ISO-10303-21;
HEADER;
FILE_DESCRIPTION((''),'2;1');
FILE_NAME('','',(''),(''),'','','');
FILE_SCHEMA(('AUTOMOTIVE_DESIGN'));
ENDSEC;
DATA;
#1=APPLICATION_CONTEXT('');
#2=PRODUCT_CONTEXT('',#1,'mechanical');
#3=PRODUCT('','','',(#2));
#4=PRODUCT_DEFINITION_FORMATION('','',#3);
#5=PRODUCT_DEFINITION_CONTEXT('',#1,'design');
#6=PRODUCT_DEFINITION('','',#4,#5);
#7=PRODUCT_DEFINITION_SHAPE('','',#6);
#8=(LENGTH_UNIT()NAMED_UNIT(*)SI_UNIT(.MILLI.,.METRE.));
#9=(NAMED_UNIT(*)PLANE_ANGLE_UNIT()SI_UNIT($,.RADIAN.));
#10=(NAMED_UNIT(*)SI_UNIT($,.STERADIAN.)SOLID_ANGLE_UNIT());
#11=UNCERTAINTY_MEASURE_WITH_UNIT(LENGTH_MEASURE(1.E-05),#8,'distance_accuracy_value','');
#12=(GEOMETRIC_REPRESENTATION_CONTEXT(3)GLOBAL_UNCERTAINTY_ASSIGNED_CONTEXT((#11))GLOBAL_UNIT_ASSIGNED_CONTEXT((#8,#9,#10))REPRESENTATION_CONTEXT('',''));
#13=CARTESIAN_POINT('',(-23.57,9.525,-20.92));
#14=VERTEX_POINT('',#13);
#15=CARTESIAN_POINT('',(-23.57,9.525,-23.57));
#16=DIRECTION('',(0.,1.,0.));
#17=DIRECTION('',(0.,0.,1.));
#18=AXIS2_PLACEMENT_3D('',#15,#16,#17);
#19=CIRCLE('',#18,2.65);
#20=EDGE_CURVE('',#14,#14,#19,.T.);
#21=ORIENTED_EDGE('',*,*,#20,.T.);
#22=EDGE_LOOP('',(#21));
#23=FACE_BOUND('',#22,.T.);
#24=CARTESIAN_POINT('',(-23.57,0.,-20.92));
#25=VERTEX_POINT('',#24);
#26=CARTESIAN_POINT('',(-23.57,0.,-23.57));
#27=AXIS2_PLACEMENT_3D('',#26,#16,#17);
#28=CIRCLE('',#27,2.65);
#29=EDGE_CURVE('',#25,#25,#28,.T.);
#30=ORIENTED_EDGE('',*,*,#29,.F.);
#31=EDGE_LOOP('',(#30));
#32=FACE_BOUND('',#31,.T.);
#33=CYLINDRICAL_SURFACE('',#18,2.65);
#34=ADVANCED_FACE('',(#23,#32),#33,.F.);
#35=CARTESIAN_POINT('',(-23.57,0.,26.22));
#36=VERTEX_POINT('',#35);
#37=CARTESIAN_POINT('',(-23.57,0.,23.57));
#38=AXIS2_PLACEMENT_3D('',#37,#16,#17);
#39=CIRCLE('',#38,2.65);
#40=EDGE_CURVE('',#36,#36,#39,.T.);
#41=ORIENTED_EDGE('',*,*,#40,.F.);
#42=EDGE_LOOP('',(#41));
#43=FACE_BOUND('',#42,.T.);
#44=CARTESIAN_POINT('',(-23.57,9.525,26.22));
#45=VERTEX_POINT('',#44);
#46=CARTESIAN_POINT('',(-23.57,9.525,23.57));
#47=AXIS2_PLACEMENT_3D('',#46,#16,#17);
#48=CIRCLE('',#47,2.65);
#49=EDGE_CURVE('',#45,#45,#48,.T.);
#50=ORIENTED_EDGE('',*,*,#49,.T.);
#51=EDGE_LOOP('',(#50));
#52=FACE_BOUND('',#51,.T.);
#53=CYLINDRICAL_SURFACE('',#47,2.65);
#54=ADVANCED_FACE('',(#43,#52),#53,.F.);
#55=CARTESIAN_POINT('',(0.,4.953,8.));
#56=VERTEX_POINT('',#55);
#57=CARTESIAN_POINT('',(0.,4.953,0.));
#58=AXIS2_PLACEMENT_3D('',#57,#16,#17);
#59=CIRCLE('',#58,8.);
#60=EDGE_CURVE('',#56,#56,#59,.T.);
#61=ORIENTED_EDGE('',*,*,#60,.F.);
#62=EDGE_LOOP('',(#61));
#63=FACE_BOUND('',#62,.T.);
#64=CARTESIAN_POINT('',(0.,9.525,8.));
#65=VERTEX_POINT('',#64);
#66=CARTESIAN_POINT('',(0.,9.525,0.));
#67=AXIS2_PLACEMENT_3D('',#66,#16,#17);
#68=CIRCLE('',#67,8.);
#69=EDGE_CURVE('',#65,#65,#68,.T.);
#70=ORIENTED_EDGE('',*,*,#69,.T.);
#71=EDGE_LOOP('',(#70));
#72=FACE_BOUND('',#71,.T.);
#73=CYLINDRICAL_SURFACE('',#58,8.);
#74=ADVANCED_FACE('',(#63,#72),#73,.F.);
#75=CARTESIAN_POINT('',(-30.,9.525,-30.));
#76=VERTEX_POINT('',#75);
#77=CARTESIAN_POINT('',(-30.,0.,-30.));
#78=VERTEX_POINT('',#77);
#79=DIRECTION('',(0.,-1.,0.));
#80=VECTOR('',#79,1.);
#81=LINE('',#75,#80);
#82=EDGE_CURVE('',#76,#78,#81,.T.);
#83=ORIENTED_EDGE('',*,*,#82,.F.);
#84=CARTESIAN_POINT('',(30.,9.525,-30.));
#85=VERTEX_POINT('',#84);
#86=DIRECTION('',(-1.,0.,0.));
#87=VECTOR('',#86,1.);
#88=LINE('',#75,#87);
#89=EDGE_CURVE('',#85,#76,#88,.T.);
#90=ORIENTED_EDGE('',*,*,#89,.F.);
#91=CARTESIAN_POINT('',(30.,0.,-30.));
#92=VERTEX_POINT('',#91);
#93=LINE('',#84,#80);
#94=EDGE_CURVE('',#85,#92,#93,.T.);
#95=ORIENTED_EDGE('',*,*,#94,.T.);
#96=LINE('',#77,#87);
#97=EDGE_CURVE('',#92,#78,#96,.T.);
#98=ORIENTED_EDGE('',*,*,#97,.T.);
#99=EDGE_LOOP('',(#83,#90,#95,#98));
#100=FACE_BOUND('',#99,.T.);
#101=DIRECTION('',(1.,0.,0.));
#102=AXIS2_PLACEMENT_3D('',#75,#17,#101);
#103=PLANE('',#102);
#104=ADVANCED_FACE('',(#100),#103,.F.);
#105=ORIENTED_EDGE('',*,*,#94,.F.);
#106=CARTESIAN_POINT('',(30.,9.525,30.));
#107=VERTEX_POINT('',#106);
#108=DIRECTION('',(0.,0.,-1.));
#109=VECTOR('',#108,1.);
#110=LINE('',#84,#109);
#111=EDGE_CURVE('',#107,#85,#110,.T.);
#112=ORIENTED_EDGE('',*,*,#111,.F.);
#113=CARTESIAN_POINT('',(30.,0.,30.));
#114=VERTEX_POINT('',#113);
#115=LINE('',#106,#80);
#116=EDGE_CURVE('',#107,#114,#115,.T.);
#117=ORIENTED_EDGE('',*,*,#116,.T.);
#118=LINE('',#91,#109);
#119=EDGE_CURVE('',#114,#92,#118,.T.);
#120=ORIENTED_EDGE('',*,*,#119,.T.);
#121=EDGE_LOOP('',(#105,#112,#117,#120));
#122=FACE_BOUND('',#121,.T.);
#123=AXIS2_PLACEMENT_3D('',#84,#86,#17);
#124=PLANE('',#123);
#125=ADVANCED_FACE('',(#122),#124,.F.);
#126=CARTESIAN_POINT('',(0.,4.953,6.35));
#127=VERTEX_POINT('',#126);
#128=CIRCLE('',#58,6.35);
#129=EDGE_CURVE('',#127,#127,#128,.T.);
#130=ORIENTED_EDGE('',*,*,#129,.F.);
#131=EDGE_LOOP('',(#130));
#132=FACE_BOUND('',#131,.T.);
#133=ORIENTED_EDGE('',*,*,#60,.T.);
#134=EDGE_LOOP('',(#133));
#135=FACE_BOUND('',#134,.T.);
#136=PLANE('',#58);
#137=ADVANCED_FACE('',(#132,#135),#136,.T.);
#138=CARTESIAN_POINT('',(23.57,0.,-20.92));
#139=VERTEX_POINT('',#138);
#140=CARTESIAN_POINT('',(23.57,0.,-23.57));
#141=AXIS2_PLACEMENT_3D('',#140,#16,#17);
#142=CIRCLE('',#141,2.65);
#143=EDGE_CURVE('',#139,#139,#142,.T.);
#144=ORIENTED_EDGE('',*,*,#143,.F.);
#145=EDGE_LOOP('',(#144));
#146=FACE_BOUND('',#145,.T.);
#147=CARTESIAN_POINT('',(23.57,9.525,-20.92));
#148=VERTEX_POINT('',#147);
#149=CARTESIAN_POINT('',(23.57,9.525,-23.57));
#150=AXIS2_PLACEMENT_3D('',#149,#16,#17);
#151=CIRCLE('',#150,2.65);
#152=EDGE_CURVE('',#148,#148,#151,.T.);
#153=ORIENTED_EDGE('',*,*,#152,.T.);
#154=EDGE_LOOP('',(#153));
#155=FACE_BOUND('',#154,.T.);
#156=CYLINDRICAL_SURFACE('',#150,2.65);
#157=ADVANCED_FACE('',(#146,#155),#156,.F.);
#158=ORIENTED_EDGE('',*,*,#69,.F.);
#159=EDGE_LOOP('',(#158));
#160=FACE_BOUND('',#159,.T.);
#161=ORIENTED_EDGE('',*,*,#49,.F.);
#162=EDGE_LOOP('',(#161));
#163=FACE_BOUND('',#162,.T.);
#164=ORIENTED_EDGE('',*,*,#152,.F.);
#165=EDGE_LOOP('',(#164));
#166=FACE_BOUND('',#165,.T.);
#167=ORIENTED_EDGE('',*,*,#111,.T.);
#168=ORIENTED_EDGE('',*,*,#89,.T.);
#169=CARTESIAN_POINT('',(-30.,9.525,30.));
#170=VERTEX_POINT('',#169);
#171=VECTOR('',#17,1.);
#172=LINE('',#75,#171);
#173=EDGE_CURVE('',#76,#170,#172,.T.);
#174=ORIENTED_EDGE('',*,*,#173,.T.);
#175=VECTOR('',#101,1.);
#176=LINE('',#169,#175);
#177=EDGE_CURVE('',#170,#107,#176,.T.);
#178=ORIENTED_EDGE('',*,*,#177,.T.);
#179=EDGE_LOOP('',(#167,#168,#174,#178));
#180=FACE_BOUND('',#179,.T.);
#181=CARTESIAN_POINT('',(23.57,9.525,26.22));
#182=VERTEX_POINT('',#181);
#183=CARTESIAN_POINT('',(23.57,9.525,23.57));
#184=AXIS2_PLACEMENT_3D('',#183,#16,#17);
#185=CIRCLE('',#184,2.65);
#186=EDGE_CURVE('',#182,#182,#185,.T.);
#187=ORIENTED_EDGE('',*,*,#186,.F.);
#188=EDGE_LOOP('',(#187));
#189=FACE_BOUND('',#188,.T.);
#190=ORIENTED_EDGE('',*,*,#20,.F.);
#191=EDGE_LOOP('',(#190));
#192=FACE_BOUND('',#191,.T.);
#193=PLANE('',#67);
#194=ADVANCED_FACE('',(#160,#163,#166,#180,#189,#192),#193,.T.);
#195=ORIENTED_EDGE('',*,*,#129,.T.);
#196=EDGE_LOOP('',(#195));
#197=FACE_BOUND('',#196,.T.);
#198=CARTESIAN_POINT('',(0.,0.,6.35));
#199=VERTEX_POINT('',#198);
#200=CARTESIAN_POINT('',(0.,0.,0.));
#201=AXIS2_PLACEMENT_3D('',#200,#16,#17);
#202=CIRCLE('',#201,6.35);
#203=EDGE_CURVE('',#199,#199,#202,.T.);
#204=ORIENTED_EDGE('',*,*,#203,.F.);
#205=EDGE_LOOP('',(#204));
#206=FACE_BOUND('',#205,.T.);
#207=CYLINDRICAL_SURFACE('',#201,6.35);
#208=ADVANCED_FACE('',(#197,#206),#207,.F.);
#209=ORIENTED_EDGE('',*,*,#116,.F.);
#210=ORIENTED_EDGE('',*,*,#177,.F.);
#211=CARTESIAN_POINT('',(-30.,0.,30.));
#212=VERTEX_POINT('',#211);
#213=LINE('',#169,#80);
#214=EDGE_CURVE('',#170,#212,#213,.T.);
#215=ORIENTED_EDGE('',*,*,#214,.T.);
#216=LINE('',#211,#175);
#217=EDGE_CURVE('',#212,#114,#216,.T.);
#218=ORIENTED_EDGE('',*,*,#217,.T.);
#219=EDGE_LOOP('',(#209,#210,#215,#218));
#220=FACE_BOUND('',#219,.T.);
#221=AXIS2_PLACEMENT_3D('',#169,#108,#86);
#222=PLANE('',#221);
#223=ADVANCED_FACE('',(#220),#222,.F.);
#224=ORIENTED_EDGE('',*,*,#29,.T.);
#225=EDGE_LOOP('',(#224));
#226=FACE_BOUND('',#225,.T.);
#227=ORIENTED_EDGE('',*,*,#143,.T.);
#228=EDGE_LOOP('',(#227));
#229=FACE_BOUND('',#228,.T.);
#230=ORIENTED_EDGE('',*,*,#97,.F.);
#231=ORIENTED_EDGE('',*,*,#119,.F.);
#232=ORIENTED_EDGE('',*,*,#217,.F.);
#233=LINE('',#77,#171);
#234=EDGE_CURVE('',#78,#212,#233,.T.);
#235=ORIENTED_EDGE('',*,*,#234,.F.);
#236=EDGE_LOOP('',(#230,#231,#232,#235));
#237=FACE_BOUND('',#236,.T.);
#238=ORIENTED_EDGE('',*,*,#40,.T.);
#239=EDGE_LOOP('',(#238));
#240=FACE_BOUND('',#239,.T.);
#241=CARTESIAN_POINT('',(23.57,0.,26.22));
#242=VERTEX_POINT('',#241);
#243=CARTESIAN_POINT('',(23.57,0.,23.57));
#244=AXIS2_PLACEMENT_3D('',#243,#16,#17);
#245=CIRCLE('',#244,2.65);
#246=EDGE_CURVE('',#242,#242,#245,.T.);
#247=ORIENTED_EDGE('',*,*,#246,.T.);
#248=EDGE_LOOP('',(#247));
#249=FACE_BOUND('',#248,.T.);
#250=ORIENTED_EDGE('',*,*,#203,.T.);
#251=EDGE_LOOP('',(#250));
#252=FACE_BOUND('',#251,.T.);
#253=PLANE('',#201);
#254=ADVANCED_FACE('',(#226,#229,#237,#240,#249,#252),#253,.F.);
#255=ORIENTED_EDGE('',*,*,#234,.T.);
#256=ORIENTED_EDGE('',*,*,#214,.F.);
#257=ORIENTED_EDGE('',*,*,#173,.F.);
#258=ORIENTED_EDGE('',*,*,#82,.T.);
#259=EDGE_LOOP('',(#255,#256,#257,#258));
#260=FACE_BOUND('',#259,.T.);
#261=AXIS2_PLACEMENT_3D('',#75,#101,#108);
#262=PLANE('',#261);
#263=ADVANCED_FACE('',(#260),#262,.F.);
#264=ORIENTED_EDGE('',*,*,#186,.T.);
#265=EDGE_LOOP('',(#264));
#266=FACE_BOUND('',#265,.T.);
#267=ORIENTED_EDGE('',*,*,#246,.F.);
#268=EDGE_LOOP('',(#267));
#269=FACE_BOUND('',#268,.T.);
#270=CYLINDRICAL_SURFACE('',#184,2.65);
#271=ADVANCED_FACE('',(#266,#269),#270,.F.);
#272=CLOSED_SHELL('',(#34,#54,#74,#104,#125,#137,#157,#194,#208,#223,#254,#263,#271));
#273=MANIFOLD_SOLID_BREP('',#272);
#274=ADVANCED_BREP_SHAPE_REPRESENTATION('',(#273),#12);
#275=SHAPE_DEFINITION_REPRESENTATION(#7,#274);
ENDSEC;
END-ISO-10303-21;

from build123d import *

# Parameters (mm, degrees)
SKETCH1_W            = 60
SKETCH1_H            = 60
BOSS_EXTRUDE1_DEPTH  = 9.525
M5_CLEARANCE_HOLE1_D = 5.3
SKETCH5_R            = 8
CUT_EXTRUDE1_DEPTH   = 4.572
SKETCH6_R            = 6.35
CUT_EXTRUDE2_DEPTH   = 5.953


with BuildPart() as part:
    # Sketch1 → Boss-Extrude1 (new body)
    with BuildSketch(Plane(origin=(0, 0, 0), x_dir=(1, 0, 0), z_dir=(0, 1, 0))):
        Rectangle(SKETCH1_W, SKETCH1_H)
    extrude(amount=BOSS_EXTRUDE1_DEPTH)

    # M5 Clearance Hole1 (through all)
    with Locations(Plane(origin=(0, 9.525, 0), x_dir=(1, 0, 0), z_dir=(0, 1, 0))):
        with Locations((-23.57, 23.57), (23.57, 23.57), (23.57, -23.57), (-23.57, -23.57)):
            Hole(M5_CLEARANCE_HOLE1_D / 2)

    # Sketch5 → Cut-Extrude1 (cut)
    with BuildSketch(Plane(origin=(0, 9.525, 0), x_dir=(1, 0, 0), z_dir=(0, 1, 0))):
        Circle(SKETCH5_R)
    extrude(amount=-CUT_EXTRUDE1_DEPTH, mode=Mode.SUBTRACT)

    # Sketch6 → Cut-Extrude2 (cut, through all)
    with BuildSketch(Plane(origin=(0, 4.953, 0), x_dir=(1, 0, 0), z_dir=(0, 1, 0))):
        Circle(SKETCH6_R)
    extrude(amount=-CUT_EXTRUDE2_DEPTH, mode=Mode.SUBTRACT)


solid = part.part
